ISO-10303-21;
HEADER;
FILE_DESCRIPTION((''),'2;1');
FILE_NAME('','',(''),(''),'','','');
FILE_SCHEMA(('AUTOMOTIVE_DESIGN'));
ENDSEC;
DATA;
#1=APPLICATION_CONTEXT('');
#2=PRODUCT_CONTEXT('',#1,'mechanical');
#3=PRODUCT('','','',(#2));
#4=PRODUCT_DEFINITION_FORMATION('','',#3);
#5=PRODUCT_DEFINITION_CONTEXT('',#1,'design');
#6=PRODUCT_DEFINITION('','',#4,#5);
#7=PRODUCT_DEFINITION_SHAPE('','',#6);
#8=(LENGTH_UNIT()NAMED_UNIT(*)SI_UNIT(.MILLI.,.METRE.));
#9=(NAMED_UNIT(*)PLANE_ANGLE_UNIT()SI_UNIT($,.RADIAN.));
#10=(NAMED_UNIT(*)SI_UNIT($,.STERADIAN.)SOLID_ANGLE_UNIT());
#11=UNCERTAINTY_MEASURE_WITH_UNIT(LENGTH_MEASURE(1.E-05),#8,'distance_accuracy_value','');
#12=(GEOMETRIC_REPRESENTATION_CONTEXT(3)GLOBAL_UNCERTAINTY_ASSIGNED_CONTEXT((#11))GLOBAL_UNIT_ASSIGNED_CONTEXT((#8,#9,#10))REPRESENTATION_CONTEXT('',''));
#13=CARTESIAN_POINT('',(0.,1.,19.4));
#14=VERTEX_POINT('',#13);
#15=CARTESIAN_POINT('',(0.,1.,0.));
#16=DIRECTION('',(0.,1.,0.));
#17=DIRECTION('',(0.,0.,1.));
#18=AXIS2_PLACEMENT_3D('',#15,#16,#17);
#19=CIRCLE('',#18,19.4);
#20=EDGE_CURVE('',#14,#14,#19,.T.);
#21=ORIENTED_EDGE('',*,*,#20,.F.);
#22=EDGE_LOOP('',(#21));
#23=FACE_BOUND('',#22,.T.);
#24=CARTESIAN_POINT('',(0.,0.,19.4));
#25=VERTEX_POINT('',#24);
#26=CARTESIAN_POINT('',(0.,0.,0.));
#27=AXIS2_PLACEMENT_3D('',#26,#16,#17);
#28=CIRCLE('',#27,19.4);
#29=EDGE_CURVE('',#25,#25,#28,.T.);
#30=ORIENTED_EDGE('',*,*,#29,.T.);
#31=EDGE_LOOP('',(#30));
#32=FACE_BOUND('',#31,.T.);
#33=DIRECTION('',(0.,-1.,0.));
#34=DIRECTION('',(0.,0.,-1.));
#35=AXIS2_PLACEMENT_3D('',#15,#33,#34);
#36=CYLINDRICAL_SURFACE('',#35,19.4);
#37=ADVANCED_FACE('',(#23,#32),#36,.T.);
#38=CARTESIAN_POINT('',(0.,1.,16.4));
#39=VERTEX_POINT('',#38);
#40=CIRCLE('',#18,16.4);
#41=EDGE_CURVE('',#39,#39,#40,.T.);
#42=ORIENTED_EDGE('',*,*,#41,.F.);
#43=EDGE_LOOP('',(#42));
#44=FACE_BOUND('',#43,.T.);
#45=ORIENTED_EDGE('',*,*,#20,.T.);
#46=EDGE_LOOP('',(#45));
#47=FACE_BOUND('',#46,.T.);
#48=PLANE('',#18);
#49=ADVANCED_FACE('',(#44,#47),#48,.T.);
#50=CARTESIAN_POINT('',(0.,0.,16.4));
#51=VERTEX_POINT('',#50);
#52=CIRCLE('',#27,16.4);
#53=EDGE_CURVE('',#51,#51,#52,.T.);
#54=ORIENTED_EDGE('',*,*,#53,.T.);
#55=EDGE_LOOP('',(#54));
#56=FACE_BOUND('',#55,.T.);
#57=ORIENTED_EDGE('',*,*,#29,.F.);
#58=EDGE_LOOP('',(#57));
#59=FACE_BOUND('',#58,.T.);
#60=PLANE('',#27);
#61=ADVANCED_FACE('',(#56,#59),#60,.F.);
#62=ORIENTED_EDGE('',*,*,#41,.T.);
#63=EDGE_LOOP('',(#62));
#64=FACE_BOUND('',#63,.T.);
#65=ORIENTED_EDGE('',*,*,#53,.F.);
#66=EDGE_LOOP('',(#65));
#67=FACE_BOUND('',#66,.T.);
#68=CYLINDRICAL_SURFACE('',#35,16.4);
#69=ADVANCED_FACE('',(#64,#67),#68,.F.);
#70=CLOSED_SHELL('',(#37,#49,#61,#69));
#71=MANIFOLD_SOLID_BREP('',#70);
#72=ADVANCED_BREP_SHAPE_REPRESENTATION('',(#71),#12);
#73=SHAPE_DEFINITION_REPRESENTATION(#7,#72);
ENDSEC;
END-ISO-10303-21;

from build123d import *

# Parameters (mm, degrees)
SKETCH1_R           = 19.4
SKETCH1_R_2         = 16.4
BOSS_EXTRUDE1_DEPTH = 1


with BuildPart() as part:
    # Sketch1 → Boss-Extrude1 (new body)
    with BuildSketch(Plane(origin=(0, 0, 0), x_dir=(1, 0, 0), z_dir=(0, 1, 0))):
        Circle(SKETCH1_R)
        Circle(SKETCH1_R_2, mode=Mode.SUBTRACT)
    extrude(amount=BOSS_EXTRUDE1_DEPTH)


solid = part.part
